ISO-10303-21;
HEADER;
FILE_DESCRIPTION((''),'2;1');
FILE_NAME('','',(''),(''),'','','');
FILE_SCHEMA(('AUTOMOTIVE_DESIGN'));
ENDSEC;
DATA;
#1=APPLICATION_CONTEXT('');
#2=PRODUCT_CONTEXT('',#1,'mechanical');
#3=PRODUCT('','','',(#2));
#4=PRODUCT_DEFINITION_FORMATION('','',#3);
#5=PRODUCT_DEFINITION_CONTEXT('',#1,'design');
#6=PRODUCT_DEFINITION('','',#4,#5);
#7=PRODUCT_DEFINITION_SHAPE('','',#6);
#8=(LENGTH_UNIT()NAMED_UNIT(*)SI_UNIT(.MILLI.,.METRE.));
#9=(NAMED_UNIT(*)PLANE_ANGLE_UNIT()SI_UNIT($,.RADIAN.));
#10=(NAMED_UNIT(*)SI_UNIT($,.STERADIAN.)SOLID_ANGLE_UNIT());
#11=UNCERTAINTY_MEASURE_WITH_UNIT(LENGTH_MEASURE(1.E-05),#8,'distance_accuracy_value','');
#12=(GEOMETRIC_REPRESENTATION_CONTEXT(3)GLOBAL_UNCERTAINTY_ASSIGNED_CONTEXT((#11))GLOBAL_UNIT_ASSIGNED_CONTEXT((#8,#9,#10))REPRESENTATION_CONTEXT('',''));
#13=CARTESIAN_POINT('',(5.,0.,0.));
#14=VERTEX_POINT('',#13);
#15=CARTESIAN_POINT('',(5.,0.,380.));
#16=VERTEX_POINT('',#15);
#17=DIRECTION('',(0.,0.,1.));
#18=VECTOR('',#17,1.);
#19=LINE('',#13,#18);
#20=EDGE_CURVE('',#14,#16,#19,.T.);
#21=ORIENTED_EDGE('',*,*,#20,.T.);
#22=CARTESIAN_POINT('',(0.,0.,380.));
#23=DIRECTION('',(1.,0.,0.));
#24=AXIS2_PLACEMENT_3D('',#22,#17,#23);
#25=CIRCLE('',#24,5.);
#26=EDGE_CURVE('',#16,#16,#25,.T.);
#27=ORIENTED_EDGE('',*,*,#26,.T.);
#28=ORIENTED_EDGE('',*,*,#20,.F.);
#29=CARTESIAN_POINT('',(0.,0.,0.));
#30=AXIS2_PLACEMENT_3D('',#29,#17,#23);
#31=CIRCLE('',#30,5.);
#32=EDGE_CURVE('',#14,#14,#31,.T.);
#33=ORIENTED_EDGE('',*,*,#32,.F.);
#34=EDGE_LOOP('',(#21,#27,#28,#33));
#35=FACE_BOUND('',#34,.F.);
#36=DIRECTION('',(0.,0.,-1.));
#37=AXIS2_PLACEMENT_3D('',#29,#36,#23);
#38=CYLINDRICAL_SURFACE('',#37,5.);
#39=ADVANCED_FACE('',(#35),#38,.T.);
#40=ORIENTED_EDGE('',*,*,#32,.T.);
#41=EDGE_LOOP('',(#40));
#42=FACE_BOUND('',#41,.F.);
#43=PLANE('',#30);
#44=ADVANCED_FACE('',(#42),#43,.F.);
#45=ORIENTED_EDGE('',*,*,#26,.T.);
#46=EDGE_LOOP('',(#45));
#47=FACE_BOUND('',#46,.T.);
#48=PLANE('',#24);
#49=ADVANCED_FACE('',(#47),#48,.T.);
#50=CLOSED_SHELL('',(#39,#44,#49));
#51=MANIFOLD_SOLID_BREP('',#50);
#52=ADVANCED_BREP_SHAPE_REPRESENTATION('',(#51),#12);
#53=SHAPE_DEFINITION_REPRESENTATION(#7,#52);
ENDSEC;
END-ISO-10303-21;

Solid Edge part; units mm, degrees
sketch "Sketch1" plane through (0, 0, 0) normal (0, 0, 1) x (1, 0, 0)
  circle A0 centre (0, 0) radius 5
extrude "Protrusion1" add sketch "Sketch1" along normal blind 380
cosmetic_thread "Thread1" size "M10"
